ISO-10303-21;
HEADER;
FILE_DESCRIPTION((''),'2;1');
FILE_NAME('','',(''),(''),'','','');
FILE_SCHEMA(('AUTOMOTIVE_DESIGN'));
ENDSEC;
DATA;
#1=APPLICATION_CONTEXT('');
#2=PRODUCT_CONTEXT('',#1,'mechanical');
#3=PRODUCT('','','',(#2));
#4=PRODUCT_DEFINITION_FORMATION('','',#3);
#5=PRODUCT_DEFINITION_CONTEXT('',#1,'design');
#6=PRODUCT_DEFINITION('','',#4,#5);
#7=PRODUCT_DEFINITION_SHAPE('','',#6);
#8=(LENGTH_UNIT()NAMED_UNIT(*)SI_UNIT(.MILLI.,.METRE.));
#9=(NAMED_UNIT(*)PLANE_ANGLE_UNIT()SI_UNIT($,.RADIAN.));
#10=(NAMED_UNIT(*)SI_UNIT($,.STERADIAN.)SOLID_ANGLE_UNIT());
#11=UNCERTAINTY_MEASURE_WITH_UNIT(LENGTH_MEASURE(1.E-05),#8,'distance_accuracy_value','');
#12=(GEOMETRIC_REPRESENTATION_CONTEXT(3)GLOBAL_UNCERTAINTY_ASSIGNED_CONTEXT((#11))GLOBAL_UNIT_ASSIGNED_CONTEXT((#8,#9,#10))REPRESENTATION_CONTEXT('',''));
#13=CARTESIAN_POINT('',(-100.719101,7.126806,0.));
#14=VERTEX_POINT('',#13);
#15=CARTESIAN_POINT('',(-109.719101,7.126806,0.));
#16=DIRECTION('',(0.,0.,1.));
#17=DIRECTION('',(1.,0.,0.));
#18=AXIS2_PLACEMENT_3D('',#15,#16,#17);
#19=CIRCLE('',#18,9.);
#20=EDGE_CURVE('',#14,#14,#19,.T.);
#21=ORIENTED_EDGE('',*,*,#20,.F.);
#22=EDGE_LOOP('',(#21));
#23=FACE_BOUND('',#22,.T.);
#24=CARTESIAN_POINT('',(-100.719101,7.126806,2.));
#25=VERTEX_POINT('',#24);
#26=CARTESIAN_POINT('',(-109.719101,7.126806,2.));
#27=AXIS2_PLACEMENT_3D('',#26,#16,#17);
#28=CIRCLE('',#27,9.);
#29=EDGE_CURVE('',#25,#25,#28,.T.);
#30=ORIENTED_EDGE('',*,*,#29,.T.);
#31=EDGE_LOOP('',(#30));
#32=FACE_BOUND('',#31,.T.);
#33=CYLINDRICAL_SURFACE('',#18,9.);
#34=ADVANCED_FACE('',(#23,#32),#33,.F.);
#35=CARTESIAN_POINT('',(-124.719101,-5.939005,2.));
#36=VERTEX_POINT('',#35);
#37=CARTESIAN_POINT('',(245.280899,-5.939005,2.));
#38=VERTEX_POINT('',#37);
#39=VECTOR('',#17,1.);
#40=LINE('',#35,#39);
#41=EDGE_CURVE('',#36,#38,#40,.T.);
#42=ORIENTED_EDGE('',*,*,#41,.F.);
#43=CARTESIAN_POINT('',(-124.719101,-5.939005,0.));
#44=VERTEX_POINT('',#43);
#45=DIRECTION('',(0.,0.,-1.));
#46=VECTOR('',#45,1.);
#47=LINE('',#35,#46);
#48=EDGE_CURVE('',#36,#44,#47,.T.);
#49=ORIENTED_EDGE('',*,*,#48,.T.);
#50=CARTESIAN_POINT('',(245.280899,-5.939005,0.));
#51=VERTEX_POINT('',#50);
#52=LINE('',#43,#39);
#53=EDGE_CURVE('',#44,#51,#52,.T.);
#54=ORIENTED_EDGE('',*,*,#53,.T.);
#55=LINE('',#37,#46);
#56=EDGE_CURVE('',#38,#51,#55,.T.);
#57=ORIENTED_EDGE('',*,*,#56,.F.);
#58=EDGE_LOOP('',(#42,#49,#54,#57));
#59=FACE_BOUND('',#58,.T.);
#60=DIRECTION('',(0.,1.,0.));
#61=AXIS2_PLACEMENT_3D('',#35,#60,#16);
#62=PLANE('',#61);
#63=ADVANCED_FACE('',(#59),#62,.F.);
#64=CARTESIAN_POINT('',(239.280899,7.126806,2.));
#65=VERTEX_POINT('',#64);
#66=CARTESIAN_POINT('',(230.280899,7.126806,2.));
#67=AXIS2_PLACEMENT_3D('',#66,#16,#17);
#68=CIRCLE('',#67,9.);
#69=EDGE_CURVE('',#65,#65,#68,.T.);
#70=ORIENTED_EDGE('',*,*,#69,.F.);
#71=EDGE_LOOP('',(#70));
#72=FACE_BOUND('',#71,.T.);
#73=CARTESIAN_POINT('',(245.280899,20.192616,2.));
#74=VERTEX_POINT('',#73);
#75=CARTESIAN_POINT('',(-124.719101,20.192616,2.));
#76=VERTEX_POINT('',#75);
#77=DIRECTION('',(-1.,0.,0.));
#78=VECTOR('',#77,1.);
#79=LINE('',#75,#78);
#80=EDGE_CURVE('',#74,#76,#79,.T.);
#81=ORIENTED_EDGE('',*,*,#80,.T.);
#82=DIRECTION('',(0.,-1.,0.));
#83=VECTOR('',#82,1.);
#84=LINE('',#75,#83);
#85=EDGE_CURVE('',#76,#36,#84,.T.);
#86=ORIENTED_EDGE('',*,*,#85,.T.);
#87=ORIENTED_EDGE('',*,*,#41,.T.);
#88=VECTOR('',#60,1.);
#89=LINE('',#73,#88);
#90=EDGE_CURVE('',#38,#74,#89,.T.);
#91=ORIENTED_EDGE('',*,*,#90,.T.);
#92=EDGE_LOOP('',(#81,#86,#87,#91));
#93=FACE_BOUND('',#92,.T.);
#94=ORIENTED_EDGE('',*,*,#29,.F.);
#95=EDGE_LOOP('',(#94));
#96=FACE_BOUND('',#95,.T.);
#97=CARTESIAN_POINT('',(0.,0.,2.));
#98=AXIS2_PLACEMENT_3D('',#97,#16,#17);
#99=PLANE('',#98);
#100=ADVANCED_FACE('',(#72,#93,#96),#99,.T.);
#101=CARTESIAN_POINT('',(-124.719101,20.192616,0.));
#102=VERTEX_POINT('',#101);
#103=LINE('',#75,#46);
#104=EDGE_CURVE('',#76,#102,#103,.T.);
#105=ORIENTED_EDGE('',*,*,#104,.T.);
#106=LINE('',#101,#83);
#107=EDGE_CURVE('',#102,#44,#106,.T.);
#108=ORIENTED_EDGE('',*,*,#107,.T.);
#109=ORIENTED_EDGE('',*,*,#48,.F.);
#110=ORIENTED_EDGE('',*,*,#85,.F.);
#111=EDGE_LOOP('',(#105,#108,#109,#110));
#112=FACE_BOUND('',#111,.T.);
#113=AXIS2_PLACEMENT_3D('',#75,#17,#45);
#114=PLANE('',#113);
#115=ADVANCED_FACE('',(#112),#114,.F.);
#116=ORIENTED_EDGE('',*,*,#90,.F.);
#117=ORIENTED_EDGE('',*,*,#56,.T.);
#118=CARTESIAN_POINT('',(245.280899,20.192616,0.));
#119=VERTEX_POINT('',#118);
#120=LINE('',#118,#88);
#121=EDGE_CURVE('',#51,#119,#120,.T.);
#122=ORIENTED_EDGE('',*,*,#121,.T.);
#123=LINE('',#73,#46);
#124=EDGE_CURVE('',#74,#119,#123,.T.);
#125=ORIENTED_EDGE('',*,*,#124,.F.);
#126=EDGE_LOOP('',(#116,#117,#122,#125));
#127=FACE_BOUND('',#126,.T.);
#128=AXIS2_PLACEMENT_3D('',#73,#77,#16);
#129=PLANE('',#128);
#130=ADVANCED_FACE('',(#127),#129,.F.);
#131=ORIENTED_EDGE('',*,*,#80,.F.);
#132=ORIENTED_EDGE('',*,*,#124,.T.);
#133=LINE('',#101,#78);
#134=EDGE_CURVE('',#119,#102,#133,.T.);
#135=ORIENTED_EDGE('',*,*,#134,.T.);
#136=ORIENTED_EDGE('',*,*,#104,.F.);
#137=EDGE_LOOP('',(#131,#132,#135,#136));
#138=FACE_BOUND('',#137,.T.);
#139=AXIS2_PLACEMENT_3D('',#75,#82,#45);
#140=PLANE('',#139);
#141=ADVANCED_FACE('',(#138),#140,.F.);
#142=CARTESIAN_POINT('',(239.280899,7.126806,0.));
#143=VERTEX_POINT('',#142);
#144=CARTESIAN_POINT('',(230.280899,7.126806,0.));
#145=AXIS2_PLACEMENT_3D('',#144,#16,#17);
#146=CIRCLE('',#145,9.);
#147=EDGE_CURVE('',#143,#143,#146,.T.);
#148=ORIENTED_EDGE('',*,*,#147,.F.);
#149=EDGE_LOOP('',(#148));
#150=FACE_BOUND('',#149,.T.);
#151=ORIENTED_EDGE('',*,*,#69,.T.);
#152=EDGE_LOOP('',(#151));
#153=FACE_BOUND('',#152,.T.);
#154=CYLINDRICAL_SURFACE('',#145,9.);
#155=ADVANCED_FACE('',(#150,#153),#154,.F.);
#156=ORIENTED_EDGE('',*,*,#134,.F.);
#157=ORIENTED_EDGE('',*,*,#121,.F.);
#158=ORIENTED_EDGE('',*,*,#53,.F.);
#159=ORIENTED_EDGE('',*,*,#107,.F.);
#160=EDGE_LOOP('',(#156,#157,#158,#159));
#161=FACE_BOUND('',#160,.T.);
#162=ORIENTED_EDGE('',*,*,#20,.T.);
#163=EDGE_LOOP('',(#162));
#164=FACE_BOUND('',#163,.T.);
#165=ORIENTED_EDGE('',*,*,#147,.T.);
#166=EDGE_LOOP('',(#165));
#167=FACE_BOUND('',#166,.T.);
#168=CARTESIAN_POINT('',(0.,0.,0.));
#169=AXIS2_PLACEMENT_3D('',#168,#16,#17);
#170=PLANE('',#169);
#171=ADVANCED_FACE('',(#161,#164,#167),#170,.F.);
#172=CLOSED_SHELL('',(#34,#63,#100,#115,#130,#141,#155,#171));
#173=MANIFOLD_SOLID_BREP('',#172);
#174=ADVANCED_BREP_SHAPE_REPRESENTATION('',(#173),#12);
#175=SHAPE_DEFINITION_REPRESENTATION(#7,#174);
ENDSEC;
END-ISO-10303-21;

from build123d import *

# Parameters (mm, degrees)
SKETCH1_W           = 370
SKETCH1_H           = 26.131621187
BOSS_EXTRUDE1_DEPTH = 2
SKETCH2_R           = 9
CUT_EXTRUDE1_DEPTH  = 2
SKETCH2_4_R         = 9
CUT_EXTRUDE2_DEPTH  = 2


with BuildPart() as part:
    # Sketch1 → Boss-Extrude1 (new body)
    with BuildSketch(Plane.XY):
        with Locations((60.280898876, 7.126805778)):
            Rectangle(SKETCH1_W, SKETCH1_H)
    extrude(amount=BOSS_EXTRUDE1_DEPTH)

    # Sketch2 → Cut-Extrude1 (cut)
    with BuildSketch(Plane.XY.offset(2)):
        with Locations((-109.719101124, 7.126805778)):
            Circle(SKETCH2_R)
    extrude(amount=-CUT_EXTRUDE1_DEPTH, mode=Mode.SUBTRACT)

    # Sketch2<4> → Cut-Extrude2 (cut)
    with BuildSketch(Plane.XY.offset(2)):
        with Locations((-109.719101124, 7.126805778)):
            Circle(SKETCH2_4_R)
        with Locations((230.280898876, 7.126805778)):
            Circle(SKETCH2_4_R)
    extrude(amount=-CUT_EXTRUDE2_DEPTH, mode=Mode.SUBTRACT)


solid = part.part
